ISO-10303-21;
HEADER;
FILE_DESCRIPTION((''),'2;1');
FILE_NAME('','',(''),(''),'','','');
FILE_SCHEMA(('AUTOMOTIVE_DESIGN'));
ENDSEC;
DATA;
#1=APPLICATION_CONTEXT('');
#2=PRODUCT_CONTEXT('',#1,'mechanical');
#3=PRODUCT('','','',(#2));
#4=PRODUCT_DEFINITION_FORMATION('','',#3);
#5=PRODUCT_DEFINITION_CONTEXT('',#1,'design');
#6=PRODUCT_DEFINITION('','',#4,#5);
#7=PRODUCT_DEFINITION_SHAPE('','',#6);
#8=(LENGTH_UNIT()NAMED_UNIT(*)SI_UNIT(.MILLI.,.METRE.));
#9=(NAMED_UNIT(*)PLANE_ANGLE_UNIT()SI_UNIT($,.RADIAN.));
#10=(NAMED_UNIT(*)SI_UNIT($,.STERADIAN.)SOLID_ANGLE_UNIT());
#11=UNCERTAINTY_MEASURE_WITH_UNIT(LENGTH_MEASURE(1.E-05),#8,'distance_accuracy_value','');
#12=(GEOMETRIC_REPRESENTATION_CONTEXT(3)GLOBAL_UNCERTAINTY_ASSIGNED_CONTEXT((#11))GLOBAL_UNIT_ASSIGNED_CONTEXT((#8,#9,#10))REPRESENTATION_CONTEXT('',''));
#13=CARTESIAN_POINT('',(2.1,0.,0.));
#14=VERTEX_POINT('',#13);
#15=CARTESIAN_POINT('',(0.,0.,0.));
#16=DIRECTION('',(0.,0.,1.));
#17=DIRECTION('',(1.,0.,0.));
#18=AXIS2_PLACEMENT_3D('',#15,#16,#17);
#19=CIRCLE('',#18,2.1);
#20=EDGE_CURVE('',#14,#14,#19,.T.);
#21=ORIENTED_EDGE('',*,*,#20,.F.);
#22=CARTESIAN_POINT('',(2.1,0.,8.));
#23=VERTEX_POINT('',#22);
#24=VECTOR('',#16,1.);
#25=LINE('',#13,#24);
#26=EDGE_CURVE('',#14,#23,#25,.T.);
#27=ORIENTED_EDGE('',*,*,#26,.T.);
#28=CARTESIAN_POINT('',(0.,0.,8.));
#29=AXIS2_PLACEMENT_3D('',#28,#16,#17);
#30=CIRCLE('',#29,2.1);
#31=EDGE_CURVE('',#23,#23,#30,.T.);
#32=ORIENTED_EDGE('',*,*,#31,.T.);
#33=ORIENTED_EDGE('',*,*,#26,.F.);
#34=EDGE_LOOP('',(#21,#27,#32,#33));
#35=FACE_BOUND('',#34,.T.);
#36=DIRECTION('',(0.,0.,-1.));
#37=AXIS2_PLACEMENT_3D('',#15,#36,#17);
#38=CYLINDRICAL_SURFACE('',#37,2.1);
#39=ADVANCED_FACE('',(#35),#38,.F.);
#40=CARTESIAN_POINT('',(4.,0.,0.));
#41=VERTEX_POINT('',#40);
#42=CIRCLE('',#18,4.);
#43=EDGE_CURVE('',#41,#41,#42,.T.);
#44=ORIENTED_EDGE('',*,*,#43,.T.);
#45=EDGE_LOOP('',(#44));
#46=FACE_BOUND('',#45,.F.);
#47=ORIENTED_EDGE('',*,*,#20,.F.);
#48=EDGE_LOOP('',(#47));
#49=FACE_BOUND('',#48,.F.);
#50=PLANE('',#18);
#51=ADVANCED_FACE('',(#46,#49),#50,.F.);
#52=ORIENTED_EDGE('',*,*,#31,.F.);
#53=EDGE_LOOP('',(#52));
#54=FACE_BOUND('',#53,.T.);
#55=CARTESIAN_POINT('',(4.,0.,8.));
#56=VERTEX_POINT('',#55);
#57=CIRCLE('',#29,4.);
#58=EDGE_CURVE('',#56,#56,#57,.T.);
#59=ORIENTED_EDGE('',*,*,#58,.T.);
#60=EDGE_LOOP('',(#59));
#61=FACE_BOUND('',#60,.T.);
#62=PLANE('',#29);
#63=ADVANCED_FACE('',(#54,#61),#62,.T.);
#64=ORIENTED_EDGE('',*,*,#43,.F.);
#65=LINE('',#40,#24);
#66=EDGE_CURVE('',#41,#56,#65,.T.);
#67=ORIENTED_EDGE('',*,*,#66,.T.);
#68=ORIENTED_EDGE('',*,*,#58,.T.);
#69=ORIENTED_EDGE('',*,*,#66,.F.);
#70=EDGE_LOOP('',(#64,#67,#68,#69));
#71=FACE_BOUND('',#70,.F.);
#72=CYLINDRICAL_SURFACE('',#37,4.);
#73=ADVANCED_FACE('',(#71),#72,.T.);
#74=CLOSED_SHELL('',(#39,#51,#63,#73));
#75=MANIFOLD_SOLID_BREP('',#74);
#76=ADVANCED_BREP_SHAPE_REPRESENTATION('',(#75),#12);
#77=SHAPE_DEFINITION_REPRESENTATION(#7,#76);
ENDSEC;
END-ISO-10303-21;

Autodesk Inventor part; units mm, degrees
ref_plane "YZ Plane" through (0, 0, 0) normal (1, 0, 0) x (0, 1, 0)
ref_plane "XZ Plane" through (0, 0, 0) normal (0, 1, 0) x (-1, 0, 0)
ref_plane "XY Plane" through (0, 0, 0) normal (0, 0, 1) x (1, 0, 0)
sketch "スケッチ1" plane through (0, 0, 0) normal (0, 0, 1) x (1, 0, 0)
  circle A0 centre (0, 0) radius 2.1
  circle A1 centre (0, 0) radius 4
  dimension "d0" = 4.2
  dimension "d1" = 8
extrude "押し出し1" add sketch "スケッチ1" along normal blind 8
properties part number "出力ベアリング固定スペーサ" material "ステンレス鋼"
